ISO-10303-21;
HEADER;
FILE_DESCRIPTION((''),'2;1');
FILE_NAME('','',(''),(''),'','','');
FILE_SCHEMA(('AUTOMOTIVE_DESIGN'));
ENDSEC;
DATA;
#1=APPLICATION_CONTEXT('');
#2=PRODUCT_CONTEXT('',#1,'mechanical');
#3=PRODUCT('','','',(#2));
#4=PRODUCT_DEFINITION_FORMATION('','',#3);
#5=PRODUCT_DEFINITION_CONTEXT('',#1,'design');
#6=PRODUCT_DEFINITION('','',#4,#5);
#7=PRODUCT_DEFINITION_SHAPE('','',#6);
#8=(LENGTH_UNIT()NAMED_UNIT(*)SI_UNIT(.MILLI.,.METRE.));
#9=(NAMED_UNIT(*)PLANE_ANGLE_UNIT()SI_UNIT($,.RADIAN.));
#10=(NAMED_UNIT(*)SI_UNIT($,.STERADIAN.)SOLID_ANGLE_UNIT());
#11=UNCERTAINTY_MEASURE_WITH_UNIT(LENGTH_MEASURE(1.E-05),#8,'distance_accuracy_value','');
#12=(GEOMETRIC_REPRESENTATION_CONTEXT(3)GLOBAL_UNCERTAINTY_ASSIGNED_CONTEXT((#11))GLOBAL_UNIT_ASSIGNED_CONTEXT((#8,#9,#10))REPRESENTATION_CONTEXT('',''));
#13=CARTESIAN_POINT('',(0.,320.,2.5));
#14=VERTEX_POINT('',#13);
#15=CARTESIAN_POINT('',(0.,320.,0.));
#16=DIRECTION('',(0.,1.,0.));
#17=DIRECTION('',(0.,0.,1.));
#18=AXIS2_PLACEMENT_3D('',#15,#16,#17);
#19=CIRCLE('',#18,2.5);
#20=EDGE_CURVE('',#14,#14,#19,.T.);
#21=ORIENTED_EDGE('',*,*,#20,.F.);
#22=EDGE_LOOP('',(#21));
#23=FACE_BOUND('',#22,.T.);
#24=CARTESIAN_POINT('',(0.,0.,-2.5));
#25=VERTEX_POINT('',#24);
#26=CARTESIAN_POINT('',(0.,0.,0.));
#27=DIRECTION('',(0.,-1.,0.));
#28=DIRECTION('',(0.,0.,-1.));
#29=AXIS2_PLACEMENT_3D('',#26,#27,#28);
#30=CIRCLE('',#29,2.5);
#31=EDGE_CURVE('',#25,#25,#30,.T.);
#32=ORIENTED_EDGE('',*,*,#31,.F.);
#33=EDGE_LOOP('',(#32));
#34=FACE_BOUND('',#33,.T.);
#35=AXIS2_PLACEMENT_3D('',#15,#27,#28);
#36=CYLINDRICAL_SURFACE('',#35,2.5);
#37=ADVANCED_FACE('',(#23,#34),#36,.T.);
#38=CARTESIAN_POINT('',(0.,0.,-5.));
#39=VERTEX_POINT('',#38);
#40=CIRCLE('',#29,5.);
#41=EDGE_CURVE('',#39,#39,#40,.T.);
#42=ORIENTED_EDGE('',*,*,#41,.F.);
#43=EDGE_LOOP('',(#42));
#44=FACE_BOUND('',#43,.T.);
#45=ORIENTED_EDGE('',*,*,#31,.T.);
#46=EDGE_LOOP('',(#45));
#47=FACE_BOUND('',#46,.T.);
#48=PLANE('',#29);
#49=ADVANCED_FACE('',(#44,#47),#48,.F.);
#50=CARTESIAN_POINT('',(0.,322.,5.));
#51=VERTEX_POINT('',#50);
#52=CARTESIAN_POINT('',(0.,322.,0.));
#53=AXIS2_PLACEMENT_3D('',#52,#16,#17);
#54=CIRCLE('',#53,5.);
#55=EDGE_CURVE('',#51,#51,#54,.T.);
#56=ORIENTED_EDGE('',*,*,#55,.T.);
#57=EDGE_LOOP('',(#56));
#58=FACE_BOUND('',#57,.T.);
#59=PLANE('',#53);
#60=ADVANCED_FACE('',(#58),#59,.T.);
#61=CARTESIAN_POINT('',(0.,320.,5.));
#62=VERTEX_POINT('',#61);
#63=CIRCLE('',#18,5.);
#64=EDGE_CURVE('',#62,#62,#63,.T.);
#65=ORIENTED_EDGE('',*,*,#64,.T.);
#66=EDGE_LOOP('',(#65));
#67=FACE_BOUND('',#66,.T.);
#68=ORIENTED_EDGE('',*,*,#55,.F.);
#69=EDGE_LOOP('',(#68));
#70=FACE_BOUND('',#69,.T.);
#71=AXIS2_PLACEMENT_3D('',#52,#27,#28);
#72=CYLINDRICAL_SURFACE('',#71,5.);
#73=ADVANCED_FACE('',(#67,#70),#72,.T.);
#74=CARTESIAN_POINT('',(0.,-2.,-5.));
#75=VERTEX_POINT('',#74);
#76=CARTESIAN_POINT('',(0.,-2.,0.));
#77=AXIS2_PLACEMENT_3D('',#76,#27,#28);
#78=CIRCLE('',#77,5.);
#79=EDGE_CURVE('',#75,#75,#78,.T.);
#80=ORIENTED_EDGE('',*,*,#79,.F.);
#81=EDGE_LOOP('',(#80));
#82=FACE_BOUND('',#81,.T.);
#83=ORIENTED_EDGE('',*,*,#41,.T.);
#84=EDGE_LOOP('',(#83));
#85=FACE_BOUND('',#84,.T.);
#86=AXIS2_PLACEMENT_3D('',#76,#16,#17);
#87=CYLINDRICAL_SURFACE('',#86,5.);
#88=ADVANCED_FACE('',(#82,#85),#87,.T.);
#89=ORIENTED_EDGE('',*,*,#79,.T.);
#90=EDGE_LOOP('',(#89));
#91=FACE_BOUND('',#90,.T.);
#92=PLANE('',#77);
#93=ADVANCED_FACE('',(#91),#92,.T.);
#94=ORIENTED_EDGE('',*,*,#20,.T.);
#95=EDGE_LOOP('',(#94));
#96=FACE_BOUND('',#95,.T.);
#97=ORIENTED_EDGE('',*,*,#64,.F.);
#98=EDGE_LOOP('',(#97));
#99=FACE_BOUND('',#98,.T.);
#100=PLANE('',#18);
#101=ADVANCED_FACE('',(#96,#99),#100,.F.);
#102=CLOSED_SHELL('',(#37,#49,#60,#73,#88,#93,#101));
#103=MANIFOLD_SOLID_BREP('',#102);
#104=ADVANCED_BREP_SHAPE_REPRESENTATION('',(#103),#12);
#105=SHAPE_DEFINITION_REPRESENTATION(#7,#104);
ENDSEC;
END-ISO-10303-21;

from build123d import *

# Parameters (mm, degrees)
SKETCH1_R           = 2.5
BOSS_EXTRUDE1_DEPTH = 320
SKETCH2_R           = 5
BOSS_EXTRUDE2_DEPTH = 2
SKETCH3_R           = 5
BOSS_EXTRUDE3_DEPTH = 2


with BuildPart() as part:
    # Sketch1 → Boss-Extrude1 (new body)
    with BuildSketch(Plane(origin=(0, 0, 0), x_dir=(1, 0, 0), z_dir=(0, 1, 0))):
        Circle(SKETCH1_R)
    extrude(amount=BOSS_EXTRUDE1_DEPTH)

    # Sketch2 → Boss-Extrude2 (add)
    with BuildSketch(Plane.XZ):
        Circle(SKETCH2_R)
    extrude(amount=BOSS_EXTRUDE2_DEPTH)

    # Sketch3 → Boss-Extrude3 (add)
    with BuildSketch(Plane(origin=(0, 320, 0), x_dir=(1, 0, 0), z_dir=(0, 1, 0))):
        Circle(SKETCH3_R)
    extrude(amount=BOSS_EXTRUDE3_DEPTH)


solid = part.part
